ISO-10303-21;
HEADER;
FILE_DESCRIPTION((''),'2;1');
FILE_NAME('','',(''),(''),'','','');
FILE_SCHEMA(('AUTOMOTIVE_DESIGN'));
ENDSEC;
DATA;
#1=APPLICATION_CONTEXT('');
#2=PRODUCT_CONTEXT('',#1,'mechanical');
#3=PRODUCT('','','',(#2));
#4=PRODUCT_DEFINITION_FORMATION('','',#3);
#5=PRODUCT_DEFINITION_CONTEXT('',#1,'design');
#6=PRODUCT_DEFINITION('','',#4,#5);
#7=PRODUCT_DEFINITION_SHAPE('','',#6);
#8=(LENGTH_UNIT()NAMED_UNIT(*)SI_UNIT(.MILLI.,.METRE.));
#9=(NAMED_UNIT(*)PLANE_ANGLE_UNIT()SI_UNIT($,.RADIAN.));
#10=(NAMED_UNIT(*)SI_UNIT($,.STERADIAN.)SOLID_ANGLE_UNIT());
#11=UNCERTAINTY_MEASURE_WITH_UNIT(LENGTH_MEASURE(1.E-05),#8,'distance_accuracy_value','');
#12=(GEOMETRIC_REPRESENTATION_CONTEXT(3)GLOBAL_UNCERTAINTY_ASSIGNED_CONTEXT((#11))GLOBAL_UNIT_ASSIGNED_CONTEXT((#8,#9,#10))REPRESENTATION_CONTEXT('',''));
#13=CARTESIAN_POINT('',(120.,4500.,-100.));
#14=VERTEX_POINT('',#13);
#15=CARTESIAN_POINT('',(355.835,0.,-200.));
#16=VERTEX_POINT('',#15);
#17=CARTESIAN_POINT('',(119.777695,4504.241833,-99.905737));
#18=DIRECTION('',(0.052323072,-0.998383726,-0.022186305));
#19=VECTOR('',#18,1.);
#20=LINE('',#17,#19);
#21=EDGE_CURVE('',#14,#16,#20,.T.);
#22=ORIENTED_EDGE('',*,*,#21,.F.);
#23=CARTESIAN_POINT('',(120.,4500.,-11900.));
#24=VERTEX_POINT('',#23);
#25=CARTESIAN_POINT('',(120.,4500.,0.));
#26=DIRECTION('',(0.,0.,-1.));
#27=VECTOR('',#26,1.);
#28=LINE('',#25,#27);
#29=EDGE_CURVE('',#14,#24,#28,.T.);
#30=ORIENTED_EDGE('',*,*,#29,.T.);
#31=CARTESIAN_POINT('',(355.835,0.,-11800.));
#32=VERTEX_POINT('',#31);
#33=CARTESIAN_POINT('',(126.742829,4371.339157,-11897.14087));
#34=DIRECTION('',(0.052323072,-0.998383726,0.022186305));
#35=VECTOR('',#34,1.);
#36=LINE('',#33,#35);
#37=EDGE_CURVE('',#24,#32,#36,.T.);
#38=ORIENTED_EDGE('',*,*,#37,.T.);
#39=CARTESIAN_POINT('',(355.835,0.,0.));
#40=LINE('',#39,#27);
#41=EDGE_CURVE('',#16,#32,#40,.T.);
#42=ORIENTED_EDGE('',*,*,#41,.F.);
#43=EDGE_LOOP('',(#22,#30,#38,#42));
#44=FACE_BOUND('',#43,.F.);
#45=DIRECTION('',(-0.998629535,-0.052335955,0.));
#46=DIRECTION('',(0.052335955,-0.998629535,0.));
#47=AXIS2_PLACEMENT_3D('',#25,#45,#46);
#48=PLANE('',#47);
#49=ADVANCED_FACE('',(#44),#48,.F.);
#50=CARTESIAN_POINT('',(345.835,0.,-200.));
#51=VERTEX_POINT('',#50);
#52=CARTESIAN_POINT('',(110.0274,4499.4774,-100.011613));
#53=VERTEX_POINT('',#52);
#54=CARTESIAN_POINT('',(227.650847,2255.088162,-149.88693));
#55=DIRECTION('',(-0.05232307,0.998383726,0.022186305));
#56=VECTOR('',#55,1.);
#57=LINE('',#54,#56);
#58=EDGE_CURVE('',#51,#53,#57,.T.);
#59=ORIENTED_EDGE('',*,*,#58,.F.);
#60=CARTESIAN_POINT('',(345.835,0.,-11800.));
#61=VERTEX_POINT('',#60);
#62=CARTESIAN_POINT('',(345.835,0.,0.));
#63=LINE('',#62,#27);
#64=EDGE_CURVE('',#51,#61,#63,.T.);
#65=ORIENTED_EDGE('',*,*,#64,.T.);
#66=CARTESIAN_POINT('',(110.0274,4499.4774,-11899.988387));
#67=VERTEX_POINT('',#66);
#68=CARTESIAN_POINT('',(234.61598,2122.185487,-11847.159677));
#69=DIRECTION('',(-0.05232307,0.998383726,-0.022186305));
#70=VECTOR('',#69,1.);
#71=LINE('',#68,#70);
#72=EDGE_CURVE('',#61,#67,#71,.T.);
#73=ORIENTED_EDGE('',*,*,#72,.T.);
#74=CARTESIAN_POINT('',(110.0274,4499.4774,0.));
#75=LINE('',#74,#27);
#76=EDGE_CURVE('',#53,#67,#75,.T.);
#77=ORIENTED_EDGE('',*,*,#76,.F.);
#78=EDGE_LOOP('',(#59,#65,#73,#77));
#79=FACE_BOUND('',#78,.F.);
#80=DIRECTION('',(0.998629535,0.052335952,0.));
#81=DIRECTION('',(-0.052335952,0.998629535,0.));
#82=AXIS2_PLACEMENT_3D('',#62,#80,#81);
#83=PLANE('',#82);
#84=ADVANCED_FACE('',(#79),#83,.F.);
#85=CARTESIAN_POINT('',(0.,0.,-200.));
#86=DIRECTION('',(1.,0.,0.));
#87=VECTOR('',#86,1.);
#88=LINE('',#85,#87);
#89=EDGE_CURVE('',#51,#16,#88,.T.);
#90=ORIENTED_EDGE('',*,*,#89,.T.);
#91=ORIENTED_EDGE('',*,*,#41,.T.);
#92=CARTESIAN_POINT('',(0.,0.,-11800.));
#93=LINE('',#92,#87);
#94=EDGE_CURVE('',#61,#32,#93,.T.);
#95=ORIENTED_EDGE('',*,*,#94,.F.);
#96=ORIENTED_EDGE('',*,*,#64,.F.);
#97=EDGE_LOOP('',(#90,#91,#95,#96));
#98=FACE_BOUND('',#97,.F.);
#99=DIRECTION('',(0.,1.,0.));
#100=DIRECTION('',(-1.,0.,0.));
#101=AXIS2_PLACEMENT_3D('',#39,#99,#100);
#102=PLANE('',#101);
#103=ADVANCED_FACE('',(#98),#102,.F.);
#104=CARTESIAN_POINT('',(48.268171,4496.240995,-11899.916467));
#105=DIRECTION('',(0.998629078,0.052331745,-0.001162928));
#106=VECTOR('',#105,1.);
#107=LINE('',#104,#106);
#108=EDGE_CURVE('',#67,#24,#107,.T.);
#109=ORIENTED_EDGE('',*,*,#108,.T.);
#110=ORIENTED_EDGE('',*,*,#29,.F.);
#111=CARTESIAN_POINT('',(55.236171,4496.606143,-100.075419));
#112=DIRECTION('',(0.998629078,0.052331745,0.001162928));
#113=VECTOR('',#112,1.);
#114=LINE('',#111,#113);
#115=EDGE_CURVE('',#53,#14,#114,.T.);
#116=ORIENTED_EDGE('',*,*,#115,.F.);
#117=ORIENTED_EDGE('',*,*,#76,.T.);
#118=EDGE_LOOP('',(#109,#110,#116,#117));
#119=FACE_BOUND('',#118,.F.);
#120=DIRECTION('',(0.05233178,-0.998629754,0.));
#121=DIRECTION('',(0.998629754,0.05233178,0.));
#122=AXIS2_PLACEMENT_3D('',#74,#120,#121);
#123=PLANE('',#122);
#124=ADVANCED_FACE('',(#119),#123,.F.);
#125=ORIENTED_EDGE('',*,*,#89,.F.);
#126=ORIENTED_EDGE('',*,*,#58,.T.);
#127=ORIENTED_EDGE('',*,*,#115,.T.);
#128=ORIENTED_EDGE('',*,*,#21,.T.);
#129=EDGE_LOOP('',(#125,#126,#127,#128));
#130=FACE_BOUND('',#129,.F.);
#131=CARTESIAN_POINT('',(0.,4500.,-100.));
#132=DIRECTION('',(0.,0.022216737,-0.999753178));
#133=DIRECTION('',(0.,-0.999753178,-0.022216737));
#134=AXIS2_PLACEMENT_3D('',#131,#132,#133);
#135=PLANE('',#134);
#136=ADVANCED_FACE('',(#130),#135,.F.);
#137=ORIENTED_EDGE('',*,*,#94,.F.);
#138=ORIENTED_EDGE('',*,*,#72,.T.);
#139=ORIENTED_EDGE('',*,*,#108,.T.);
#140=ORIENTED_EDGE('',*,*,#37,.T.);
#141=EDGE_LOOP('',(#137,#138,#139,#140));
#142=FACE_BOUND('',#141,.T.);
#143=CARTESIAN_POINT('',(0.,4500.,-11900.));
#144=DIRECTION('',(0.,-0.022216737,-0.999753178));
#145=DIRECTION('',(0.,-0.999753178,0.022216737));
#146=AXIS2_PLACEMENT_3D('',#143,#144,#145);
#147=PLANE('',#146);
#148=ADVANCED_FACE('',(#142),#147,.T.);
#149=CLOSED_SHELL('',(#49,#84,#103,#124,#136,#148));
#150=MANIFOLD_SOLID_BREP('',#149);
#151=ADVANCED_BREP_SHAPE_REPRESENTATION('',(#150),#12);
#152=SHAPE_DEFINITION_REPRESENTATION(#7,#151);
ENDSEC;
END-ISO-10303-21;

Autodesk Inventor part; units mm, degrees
ref_plane "YZ Plane" through (0, 0, 0) normal (1, 0, 0) x (0, 1, 0)
ref_plane "XZ Plane" through (0, 0, 0) normal (0, 1, 0) x (-1, 0, 0)
ref_plane "XY Plane" through (0, 0, 0) normal (0, 0, 1) x (1, 0, 0)
sketch "Sketch1" plane through (0, 0, 0) normal (0, 0, 1) x (1, 0, 0)
  line L0 (355.835, 0) -> (345.835, 0)
  line L1 (345.835, 0) -> (110.0274, 4499.4774)
  line L2 (110.0274, 4499.4774) -> (120, 4500)
  line L3 (120, 4500) -> (355.835, 0)
  line L4 (0, 4500) -> (0, 0)
  dimension "d0" = 10
  dimension "d1" = 87
  dimension "d2" = 4500
  dimension "d5" = 120
extrude "Extrusion1" add sketch "Sketch1" against normal blind 12000
sketch "Sketch2" plane through (0, 0, 0) normal (1, 0, 0) x (0, 1, 0)
  line L0 (0, 0) -> (4500, 0) projected
  line L1 (0, 0) -> (0, -12000) projected
  line L2 (4500, -12000) -> (0, -12000) projected
  line L3 (4500, 0) -> (4500, -12000) projected
  line L4 (4500, -100) -> (0, -200)
  line L5 (4500, -11900) -> (0, -11800)
  line L6 (4500, -6000) -> (0, -6000) construction
  dimension "d6" = 100
  dimension "d10" = 200
extrude "Extrusion2" cut sketch "Sketch2" along normal through all contours L0 L3 L4 L1 | L5 L3 L2 L1
properties part number "GBK-Dummy wall 2"
